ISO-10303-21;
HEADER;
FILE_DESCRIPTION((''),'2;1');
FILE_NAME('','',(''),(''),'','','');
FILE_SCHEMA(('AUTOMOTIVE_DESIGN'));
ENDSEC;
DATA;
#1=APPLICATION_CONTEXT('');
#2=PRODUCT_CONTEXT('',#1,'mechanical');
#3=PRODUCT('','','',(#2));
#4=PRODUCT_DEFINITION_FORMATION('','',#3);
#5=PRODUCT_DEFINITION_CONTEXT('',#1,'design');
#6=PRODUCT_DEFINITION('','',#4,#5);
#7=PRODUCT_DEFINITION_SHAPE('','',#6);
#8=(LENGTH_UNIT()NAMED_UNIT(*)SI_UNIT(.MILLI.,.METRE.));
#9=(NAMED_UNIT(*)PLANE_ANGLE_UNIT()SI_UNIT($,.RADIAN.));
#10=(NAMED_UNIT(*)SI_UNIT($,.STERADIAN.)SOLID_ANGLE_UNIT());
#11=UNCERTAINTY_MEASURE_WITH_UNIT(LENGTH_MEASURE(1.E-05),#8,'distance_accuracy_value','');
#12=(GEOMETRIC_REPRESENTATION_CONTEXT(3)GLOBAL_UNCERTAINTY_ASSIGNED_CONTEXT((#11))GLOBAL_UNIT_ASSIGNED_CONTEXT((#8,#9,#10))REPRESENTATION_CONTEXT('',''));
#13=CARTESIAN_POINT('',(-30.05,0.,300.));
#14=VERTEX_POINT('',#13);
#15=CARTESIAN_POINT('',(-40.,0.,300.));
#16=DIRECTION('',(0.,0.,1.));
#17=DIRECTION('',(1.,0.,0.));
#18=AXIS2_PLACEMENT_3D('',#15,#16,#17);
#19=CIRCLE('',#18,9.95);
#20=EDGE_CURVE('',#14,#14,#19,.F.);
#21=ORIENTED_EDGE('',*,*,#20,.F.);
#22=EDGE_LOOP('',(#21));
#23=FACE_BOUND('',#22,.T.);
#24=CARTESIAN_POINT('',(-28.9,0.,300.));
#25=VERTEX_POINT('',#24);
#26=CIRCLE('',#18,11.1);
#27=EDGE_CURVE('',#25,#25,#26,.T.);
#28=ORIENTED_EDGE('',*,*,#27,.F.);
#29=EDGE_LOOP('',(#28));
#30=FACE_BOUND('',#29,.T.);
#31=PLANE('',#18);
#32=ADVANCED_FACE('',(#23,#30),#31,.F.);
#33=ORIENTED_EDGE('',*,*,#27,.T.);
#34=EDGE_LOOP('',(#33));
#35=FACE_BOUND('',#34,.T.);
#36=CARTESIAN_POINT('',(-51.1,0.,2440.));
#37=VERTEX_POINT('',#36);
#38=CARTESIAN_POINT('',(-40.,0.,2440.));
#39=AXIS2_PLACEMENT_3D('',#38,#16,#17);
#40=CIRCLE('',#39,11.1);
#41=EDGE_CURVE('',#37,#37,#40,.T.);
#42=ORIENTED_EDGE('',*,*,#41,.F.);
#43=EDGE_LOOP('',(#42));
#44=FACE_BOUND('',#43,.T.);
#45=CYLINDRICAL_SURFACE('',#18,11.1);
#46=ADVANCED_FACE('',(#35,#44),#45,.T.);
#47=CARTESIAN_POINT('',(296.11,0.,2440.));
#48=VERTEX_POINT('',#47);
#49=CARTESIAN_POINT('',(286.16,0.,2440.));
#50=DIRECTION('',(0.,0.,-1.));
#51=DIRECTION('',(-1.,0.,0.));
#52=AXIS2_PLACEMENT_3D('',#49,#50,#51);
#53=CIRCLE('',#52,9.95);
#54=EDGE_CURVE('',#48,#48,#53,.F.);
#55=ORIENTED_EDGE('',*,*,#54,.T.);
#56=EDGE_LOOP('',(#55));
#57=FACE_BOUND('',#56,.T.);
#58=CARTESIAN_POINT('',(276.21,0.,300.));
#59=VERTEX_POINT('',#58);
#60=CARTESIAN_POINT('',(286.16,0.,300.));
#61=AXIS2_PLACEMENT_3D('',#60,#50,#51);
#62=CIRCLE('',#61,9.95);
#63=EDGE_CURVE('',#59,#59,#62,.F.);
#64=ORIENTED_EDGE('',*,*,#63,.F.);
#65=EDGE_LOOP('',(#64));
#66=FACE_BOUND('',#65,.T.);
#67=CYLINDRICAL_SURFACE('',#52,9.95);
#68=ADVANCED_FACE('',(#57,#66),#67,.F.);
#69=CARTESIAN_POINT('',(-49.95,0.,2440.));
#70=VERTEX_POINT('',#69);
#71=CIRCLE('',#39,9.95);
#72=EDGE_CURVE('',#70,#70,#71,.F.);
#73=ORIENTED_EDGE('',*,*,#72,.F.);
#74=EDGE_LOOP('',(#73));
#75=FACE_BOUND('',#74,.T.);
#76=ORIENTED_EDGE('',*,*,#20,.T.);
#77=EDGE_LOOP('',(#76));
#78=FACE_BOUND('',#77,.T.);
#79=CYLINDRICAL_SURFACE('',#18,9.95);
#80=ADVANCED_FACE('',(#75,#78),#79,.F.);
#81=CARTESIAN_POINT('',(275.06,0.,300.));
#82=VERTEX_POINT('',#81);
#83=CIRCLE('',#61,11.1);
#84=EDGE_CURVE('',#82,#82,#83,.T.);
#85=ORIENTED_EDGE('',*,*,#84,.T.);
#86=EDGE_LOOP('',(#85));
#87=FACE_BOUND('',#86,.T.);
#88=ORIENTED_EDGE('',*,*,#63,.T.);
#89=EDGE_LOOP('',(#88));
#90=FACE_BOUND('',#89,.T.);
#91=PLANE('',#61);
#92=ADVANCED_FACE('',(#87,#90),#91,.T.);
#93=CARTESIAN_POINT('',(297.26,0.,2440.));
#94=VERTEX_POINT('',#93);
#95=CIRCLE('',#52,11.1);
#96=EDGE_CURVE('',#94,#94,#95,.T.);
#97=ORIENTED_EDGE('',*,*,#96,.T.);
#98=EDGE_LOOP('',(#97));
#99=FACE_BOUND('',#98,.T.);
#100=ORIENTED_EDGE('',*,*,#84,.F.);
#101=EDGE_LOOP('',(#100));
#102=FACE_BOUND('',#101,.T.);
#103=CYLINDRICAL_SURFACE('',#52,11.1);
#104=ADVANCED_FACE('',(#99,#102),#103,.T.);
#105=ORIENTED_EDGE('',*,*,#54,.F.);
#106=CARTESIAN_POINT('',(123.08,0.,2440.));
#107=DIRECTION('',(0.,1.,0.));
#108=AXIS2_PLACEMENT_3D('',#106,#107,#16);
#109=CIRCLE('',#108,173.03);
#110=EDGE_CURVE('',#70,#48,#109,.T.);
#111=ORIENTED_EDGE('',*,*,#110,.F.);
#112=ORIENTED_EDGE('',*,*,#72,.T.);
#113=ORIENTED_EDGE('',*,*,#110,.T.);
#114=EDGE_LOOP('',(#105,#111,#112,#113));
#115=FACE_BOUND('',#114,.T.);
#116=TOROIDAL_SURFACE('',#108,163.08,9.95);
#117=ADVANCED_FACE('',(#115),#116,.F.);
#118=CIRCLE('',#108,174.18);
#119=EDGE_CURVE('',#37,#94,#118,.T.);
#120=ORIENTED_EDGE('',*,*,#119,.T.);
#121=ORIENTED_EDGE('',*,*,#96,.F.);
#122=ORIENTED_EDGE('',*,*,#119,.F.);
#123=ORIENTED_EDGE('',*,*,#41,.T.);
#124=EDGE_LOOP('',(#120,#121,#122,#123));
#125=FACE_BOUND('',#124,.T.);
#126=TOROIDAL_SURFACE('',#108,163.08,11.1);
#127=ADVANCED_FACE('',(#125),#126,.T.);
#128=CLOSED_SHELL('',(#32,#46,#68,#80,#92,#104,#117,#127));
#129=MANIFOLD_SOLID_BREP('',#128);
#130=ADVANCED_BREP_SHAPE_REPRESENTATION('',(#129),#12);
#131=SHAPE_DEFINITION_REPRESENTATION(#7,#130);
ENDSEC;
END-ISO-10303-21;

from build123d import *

# Parameters (mm, degrees)
SKETCH2_R   = 11.1
SKETCH2_R_2 = 9.95


with BuildPart() as part:
    # Sweep1: sweep along a path in Sketch1
    with BuildLine(Plane(origin=(0, 0, 0), x_dir=(1, 0, 0), z_dir=(0, 1, 0))) as sweep1_path:
        Line((286.16, -300), (286.16, -2440))
        ThreePointArc((286.16, -2440), (123.08, -2603.08), (-40, -2440))
        Line((-40, -2440), (-40, -300))
    # Sketch2 → Sweep1 (sweep)
    with BuildSketch(Plane(origin=(286.16, 0, 300), x_dir=(-1, 0, 0), z_dir=(0, 0, -1))):
        Circle(SKETCH2_R)
        Circle(SKETCH2_R_2, mode=Mode.SUBTRACT)
    sweep(path=sweep1_path.line)


solid = part.part
